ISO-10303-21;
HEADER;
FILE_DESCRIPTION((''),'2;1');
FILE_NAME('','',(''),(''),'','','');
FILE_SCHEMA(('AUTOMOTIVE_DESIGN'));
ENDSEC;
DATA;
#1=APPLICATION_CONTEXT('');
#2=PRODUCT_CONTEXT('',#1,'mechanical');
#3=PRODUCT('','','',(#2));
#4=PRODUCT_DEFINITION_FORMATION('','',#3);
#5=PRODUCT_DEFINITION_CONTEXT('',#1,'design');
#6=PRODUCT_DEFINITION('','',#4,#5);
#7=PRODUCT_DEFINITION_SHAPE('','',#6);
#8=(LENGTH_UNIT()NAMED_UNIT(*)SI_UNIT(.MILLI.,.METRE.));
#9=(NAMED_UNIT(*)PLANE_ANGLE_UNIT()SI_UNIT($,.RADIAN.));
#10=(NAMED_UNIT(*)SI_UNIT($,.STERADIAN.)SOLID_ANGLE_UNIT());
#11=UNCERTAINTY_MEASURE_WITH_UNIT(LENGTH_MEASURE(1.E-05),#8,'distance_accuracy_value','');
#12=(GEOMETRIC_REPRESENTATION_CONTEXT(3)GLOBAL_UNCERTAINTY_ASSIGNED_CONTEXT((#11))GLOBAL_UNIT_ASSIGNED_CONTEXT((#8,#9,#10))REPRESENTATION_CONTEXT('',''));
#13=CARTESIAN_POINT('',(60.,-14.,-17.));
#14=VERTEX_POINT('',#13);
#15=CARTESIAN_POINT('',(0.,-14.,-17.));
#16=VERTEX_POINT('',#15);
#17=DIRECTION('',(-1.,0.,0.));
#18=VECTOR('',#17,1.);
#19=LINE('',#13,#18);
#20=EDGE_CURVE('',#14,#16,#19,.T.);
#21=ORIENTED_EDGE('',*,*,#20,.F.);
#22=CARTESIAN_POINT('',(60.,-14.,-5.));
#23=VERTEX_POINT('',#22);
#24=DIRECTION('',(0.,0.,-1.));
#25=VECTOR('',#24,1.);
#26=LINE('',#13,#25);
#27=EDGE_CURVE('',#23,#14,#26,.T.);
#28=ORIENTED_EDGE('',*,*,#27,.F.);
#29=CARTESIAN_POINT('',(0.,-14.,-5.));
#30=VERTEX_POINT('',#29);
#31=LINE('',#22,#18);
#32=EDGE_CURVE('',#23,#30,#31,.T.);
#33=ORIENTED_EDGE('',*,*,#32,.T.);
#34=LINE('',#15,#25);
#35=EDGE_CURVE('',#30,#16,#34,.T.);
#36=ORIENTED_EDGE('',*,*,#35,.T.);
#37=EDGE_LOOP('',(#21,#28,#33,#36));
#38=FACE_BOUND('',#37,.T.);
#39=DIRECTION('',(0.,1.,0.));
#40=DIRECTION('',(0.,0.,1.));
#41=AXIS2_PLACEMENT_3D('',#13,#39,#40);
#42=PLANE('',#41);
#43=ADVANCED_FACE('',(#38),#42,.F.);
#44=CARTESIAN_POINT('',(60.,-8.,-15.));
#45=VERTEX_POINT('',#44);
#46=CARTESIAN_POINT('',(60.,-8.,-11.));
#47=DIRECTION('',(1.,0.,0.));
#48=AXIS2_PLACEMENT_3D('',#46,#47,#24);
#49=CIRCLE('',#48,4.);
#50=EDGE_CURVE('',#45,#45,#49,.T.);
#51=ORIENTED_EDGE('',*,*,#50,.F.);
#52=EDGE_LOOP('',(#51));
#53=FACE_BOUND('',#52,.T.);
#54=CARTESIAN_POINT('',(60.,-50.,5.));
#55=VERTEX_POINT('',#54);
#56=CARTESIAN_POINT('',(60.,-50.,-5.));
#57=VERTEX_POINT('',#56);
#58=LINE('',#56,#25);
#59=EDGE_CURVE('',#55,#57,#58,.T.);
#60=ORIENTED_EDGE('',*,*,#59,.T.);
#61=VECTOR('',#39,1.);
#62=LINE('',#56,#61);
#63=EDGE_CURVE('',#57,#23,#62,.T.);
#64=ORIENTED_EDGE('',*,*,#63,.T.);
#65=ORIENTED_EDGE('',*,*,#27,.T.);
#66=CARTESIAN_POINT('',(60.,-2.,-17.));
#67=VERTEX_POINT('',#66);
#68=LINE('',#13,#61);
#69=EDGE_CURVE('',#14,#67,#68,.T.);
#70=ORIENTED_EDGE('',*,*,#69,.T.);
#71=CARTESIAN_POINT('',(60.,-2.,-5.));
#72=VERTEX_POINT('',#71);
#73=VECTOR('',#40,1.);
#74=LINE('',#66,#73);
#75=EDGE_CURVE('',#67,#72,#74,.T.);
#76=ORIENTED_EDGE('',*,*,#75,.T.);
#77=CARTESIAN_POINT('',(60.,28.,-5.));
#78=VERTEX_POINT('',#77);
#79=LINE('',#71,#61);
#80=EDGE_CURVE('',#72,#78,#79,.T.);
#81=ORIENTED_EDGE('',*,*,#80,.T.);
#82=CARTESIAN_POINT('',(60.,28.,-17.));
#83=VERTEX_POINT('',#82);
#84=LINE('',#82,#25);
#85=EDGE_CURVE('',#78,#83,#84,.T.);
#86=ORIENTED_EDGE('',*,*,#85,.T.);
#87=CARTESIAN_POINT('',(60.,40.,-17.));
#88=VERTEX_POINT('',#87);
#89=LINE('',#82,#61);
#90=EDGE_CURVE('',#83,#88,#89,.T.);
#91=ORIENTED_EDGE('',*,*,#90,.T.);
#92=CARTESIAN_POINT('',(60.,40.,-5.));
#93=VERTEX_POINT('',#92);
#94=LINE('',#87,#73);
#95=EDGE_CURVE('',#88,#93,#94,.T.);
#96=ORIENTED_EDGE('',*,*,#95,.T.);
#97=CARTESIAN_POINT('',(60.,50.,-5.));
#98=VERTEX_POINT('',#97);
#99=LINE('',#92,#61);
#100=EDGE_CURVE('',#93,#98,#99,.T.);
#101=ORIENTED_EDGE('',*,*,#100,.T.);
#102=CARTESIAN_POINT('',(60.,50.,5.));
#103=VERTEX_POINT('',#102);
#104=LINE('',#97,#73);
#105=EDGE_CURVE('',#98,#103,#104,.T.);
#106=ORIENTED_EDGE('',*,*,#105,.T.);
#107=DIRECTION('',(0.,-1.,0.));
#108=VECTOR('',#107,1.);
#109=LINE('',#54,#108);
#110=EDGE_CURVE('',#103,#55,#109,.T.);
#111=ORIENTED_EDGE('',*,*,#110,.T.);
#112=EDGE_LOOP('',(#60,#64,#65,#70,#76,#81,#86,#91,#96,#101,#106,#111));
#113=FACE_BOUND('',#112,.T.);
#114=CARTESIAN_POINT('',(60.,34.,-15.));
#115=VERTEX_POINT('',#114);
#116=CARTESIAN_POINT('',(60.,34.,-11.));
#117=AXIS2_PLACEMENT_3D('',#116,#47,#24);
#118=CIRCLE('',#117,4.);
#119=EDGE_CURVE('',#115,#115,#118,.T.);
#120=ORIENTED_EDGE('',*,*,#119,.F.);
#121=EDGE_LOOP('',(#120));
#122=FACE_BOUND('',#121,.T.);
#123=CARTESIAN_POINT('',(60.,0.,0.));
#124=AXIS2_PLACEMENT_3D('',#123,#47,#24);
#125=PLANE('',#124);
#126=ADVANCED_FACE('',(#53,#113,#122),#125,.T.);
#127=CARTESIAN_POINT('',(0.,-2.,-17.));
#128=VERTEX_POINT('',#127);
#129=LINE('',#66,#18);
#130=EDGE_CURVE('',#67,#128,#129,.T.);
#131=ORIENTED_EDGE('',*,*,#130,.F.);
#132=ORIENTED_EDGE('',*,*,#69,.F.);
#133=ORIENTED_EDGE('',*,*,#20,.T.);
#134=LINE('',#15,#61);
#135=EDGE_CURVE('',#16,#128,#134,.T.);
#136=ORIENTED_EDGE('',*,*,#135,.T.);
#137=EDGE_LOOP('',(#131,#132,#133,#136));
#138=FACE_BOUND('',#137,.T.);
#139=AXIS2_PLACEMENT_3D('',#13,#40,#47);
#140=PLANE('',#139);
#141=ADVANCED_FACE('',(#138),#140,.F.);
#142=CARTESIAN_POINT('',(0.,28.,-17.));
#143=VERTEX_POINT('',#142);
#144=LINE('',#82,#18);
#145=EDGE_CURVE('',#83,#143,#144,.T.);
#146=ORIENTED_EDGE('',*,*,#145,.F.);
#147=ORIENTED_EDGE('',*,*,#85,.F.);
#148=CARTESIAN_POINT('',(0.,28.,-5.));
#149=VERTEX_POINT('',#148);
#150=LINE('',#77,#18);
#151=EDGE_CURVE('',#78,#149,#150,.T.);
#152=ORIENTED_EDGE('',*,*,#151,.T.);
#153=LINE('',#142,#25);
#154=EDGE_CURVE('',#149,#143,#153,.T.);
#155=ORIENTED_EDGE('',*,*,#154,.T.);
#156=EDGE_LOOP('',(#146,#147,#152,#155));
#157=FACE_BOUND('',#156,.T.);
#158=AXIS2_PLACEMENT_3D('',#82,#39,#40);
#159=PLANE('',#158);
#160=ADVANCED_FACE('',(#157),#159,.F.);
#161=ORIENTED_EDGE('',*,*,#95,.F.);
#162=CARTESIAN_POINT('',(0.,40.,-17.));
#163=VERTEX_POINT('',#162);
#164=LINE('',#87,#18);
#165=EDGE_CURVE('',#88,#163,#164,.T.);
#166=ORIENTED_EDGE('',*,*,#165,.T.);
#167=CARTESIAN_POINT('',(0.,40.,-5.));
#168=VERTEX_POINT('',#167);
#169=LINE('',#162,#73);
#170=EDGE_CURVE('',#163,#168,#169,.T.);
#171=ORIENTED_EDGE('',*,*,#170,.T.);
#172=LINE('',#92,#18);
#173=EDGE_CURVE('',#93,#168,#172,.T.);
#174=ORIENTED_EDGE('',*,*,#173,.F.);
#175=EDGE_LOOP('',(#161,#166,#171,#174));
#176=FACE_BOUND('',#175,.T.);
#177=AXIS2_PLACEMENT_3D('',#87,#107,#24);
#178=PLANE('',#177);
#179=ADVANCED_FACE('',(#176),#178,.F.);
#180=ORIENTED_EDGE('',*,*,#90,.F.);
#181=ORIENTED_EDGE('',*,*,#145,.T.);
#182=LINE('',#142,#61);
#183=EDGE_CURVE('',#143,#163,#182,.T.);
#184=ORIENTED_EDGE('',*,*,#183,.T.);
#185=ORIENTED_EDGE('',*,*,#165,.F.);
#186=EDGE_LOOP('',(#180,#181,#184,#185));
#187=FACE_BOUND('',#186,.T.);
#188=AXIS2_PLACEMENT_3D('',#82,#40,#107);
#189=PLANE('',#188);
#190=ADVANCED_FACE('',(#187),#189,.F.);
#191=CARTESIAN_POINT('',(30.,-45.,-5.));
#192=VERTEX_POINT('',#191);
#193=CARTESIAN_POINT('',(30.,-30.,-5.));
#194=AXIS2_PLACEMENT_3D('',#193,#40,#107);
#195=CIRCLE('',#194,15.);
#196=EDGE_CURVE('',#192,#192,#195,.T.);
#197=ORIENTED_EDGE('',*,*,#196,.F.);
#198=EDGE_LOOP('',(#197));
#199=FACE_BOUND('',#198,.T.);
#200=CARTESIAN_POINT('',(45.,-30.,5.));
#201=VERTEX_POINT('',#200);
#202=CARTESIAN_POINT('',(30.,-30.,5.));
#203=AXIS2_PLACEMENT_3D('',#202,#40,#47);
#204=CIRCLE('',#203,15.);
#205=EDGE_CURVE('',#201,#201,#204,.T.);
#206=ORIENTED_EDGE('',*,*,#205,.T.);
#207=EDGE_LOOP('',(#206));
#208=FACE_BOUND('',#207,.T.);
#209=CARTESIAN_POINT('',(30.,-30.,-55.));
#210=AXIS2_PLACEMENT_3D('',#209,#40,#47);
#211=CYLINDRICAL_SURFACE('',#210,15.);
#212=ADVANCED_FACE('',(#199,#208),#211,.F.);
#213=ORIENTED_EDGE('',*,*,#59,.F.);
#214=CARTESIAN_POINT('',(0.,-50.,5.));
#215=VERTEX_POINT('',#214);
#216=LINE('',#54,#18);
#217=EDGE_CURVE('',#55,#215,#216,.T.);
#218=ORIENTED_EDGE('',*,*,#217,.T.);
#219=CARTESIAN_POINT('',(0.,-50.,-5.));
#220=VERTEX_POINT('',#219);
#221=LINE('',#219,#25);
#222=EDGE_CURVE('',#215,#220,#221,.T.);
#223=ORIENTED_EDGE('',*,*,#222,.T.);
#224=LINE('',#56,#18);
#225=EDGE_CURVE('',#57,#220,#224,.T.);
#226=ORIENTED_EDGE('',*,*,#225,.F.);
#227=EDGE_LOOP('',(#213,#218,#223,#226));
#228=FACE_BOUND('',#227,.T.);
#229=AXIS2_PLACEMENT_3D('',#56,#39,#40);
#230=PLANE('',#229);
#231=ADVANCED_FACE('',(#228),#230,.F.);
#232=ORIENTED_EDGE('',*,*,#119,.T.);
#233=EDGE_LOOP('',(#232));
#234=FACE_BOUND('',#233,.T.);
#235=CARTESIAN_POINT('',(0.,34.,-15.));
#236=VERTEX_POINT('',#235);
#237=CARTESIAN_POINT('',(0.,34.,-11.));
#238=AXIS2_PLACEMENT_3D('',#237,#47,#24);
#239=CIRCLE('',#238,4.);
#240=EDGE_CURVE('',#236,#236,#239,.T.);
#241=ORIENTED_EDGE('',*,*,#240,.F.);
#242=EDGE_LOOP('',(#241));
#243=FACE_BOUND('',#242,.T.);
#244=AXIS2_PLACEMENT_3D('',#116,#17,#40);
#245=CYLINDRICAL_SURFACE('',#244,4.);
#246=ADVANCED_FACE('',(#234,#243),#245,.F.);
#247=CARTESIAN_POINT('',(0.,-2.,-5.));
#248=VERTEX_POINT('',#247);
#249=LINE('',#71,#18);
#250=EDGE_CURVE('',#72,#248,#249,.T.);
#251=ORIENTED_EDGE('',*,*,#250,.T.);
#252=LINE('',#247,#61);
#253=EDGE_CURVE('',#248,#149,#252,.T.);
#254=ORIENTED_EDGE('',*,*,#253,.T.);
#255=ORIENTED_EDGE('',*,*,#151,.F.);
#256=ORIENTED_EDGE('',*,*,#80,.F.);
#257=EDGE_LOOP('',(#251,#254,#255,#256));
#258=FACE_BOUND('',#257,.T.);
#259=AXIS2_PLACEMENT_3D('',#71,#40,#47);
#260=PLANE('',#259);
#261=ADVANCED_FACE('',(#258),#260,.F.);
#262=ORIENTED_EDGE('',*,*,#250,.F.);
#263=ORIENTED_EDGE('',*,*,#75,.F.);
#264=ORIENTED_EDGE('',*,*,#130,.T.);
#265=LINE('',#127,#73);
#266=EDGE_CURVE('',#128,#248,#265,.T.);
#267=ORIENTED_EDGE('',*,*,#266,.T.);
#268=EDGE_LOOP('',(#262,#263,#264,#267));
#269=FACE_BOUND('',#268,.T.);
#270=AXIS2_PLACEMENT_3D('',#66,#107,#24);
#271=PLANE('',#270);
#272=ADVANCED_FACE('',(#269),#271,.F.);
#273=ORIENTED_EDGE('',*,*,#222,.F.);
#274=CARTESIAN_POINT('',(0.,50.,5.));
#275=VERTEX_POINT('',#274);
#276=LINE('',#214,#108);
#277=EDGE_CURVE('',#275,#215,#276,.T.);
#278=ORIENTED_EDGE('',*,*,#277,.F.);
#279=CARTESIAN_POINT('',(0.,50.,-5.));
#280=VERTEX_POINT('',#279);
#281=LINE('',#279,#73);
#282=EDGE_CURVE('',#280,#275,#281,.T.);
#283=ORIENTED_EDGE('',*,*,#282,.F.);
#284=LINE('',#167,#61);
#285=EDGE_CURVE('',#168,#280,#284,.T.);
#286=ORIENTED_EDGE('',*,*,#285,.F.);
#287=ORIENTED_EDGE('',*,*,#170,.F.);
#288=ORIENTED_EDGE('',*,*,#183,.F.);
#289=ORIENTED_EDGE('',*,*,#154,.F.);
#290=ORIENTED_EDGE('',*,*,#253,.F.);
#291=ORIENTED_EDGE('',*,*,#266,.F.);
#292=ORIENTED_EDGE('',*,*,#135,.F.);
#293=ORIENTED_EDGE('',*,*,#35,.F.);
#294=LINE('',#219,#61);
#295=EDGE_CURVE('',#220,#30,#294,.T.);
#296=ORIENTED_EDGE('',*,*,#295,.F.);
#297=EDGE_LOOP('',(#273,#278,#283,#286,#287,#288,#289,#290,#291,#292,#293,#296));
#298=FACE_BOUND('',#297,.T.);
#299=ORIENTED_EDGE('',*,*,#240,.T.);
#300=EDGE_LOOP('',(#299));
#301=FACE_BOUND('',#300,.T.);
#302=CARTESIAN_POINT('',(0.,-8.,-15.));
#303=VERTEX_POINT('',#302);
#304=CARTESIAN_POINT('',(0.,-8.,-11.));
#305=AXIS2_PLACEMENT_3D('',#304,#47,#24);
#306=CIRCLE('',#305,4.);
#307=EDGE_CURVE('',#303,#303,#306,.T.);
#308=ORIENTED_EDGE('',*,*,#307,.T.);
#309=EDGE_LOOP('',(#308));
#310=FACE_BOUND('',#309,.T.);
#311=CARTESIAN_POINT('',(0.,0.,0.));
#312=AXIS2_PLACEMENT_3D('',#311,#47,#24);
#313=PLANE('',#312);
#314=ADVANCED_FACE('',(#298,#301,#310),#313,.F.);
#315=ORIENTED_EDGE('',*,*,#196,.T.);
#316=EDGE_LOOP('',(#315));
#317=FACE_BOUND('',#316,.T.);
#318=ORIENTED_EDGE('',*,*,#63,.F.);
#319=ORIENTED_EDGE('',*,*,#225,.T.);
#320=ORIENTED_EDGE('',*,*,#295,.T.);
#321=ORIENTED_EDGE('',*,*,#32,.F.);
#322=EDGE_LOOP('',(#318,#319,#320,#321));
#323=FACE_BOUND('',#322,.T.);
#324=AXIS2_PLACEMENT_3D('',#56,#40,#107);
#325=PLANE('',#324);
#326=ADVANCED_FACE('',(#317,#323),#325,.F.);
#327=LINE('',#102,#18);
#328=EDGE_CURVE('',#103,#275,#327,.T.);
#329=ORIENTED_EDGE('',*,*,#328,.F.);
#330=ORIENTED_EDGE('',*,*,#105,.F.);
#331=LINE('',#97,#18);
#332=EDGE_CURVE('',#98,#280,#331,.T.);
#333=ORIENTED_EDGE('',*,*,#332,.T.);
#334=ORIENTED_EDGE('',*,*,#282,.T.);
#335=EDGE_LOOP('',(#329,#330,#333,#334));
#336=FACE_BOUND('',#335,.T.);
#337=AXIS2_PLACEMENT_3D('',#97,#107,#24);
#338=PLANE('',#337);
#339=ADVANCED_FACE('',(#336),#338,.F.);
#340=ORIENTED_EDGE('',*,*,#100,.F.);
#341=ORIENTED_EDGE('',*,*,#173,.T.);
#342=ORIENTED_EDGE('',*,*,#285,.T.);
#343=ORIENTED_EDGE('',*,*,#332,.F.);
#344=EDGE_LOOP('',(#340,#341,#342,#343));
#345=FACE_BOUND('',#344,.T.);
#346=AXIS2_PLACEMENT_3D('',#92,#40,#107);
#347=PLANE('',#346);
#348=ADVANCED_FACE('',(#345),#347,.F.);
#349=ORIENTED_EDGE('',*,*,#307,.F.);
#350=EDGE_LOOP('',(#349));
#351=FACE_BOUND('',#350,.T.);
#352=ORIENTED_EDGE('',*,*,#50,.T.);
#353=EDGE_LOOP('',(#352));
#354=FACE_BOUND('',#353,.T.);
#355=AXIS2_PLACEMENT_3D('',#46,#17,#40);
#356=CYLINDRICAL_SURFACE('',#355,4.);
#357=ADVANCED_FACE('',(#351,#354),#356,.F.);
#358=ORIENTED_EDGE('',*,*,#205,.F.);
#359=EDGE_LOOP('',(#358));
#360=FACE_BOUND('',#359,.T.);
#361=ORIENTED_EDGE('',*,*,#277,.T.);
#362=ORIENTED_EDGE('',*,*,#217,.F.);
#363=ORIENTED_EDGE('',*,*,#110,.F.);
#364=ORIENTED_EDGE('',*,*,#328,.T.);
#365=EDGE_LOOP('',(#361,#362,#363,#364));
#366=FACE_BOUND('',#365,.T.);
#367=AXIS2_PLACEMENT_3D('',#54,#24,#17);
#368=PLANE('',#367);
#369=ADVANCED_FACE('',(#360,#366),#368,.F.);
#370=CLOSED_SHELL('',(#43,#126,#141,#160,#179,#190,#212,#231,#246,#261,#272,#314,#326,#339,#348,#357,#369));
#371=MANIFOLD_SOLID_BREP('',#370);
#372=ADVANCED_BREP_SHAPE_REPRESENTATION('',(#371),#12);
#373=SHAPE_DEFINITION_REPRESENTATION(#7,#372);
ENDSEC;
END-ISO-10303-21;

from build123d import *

# Parameters (mm, degrees)
SKETCH_1_R          = 4
EXTRUDE_1_DEPTH     = 60
SKETCH_2_R          = 15
CUT_EXTRUDE_1_DEPTH = 60


with BuildPart() as part:
    # 草图1 → 凸台-拉伸1 (new body)
    with BuildSketch(Plane(origin=(0, 0, 0), x_dir=(0, 0, -1), z_dir=(1, 0, 0))):
        Polygon((5, -2), (5, 28), (17, 28), (17, 40), (5, 40), (5, 50), (-5, 50), (-5, -50), (5, -50), (5, -14), (17, -14), (17, -2), align=None)
        with Locations((11, 34)):
            Circle(SKETCH_1_R, mode=Mode.SUBTRACT)
        with Locations((11, -8)):
            Circle(SKETCH_1_R, mode=Mode.SUBTRACT)
    extrude(amount=EXTRUDE_1_DEPTH)

    # 草图2 → 切除-拉伸1 (cut)
    with BuildSketch(Plane.XY.offset(5)):
        with Locations((30, -30)):
            Circle(SKETCH_2_R)
    extrude(amount=-CUT_EXTRUDE_1_DEPTH, mode=Mode.SUBTRACT)


solid = part.part
